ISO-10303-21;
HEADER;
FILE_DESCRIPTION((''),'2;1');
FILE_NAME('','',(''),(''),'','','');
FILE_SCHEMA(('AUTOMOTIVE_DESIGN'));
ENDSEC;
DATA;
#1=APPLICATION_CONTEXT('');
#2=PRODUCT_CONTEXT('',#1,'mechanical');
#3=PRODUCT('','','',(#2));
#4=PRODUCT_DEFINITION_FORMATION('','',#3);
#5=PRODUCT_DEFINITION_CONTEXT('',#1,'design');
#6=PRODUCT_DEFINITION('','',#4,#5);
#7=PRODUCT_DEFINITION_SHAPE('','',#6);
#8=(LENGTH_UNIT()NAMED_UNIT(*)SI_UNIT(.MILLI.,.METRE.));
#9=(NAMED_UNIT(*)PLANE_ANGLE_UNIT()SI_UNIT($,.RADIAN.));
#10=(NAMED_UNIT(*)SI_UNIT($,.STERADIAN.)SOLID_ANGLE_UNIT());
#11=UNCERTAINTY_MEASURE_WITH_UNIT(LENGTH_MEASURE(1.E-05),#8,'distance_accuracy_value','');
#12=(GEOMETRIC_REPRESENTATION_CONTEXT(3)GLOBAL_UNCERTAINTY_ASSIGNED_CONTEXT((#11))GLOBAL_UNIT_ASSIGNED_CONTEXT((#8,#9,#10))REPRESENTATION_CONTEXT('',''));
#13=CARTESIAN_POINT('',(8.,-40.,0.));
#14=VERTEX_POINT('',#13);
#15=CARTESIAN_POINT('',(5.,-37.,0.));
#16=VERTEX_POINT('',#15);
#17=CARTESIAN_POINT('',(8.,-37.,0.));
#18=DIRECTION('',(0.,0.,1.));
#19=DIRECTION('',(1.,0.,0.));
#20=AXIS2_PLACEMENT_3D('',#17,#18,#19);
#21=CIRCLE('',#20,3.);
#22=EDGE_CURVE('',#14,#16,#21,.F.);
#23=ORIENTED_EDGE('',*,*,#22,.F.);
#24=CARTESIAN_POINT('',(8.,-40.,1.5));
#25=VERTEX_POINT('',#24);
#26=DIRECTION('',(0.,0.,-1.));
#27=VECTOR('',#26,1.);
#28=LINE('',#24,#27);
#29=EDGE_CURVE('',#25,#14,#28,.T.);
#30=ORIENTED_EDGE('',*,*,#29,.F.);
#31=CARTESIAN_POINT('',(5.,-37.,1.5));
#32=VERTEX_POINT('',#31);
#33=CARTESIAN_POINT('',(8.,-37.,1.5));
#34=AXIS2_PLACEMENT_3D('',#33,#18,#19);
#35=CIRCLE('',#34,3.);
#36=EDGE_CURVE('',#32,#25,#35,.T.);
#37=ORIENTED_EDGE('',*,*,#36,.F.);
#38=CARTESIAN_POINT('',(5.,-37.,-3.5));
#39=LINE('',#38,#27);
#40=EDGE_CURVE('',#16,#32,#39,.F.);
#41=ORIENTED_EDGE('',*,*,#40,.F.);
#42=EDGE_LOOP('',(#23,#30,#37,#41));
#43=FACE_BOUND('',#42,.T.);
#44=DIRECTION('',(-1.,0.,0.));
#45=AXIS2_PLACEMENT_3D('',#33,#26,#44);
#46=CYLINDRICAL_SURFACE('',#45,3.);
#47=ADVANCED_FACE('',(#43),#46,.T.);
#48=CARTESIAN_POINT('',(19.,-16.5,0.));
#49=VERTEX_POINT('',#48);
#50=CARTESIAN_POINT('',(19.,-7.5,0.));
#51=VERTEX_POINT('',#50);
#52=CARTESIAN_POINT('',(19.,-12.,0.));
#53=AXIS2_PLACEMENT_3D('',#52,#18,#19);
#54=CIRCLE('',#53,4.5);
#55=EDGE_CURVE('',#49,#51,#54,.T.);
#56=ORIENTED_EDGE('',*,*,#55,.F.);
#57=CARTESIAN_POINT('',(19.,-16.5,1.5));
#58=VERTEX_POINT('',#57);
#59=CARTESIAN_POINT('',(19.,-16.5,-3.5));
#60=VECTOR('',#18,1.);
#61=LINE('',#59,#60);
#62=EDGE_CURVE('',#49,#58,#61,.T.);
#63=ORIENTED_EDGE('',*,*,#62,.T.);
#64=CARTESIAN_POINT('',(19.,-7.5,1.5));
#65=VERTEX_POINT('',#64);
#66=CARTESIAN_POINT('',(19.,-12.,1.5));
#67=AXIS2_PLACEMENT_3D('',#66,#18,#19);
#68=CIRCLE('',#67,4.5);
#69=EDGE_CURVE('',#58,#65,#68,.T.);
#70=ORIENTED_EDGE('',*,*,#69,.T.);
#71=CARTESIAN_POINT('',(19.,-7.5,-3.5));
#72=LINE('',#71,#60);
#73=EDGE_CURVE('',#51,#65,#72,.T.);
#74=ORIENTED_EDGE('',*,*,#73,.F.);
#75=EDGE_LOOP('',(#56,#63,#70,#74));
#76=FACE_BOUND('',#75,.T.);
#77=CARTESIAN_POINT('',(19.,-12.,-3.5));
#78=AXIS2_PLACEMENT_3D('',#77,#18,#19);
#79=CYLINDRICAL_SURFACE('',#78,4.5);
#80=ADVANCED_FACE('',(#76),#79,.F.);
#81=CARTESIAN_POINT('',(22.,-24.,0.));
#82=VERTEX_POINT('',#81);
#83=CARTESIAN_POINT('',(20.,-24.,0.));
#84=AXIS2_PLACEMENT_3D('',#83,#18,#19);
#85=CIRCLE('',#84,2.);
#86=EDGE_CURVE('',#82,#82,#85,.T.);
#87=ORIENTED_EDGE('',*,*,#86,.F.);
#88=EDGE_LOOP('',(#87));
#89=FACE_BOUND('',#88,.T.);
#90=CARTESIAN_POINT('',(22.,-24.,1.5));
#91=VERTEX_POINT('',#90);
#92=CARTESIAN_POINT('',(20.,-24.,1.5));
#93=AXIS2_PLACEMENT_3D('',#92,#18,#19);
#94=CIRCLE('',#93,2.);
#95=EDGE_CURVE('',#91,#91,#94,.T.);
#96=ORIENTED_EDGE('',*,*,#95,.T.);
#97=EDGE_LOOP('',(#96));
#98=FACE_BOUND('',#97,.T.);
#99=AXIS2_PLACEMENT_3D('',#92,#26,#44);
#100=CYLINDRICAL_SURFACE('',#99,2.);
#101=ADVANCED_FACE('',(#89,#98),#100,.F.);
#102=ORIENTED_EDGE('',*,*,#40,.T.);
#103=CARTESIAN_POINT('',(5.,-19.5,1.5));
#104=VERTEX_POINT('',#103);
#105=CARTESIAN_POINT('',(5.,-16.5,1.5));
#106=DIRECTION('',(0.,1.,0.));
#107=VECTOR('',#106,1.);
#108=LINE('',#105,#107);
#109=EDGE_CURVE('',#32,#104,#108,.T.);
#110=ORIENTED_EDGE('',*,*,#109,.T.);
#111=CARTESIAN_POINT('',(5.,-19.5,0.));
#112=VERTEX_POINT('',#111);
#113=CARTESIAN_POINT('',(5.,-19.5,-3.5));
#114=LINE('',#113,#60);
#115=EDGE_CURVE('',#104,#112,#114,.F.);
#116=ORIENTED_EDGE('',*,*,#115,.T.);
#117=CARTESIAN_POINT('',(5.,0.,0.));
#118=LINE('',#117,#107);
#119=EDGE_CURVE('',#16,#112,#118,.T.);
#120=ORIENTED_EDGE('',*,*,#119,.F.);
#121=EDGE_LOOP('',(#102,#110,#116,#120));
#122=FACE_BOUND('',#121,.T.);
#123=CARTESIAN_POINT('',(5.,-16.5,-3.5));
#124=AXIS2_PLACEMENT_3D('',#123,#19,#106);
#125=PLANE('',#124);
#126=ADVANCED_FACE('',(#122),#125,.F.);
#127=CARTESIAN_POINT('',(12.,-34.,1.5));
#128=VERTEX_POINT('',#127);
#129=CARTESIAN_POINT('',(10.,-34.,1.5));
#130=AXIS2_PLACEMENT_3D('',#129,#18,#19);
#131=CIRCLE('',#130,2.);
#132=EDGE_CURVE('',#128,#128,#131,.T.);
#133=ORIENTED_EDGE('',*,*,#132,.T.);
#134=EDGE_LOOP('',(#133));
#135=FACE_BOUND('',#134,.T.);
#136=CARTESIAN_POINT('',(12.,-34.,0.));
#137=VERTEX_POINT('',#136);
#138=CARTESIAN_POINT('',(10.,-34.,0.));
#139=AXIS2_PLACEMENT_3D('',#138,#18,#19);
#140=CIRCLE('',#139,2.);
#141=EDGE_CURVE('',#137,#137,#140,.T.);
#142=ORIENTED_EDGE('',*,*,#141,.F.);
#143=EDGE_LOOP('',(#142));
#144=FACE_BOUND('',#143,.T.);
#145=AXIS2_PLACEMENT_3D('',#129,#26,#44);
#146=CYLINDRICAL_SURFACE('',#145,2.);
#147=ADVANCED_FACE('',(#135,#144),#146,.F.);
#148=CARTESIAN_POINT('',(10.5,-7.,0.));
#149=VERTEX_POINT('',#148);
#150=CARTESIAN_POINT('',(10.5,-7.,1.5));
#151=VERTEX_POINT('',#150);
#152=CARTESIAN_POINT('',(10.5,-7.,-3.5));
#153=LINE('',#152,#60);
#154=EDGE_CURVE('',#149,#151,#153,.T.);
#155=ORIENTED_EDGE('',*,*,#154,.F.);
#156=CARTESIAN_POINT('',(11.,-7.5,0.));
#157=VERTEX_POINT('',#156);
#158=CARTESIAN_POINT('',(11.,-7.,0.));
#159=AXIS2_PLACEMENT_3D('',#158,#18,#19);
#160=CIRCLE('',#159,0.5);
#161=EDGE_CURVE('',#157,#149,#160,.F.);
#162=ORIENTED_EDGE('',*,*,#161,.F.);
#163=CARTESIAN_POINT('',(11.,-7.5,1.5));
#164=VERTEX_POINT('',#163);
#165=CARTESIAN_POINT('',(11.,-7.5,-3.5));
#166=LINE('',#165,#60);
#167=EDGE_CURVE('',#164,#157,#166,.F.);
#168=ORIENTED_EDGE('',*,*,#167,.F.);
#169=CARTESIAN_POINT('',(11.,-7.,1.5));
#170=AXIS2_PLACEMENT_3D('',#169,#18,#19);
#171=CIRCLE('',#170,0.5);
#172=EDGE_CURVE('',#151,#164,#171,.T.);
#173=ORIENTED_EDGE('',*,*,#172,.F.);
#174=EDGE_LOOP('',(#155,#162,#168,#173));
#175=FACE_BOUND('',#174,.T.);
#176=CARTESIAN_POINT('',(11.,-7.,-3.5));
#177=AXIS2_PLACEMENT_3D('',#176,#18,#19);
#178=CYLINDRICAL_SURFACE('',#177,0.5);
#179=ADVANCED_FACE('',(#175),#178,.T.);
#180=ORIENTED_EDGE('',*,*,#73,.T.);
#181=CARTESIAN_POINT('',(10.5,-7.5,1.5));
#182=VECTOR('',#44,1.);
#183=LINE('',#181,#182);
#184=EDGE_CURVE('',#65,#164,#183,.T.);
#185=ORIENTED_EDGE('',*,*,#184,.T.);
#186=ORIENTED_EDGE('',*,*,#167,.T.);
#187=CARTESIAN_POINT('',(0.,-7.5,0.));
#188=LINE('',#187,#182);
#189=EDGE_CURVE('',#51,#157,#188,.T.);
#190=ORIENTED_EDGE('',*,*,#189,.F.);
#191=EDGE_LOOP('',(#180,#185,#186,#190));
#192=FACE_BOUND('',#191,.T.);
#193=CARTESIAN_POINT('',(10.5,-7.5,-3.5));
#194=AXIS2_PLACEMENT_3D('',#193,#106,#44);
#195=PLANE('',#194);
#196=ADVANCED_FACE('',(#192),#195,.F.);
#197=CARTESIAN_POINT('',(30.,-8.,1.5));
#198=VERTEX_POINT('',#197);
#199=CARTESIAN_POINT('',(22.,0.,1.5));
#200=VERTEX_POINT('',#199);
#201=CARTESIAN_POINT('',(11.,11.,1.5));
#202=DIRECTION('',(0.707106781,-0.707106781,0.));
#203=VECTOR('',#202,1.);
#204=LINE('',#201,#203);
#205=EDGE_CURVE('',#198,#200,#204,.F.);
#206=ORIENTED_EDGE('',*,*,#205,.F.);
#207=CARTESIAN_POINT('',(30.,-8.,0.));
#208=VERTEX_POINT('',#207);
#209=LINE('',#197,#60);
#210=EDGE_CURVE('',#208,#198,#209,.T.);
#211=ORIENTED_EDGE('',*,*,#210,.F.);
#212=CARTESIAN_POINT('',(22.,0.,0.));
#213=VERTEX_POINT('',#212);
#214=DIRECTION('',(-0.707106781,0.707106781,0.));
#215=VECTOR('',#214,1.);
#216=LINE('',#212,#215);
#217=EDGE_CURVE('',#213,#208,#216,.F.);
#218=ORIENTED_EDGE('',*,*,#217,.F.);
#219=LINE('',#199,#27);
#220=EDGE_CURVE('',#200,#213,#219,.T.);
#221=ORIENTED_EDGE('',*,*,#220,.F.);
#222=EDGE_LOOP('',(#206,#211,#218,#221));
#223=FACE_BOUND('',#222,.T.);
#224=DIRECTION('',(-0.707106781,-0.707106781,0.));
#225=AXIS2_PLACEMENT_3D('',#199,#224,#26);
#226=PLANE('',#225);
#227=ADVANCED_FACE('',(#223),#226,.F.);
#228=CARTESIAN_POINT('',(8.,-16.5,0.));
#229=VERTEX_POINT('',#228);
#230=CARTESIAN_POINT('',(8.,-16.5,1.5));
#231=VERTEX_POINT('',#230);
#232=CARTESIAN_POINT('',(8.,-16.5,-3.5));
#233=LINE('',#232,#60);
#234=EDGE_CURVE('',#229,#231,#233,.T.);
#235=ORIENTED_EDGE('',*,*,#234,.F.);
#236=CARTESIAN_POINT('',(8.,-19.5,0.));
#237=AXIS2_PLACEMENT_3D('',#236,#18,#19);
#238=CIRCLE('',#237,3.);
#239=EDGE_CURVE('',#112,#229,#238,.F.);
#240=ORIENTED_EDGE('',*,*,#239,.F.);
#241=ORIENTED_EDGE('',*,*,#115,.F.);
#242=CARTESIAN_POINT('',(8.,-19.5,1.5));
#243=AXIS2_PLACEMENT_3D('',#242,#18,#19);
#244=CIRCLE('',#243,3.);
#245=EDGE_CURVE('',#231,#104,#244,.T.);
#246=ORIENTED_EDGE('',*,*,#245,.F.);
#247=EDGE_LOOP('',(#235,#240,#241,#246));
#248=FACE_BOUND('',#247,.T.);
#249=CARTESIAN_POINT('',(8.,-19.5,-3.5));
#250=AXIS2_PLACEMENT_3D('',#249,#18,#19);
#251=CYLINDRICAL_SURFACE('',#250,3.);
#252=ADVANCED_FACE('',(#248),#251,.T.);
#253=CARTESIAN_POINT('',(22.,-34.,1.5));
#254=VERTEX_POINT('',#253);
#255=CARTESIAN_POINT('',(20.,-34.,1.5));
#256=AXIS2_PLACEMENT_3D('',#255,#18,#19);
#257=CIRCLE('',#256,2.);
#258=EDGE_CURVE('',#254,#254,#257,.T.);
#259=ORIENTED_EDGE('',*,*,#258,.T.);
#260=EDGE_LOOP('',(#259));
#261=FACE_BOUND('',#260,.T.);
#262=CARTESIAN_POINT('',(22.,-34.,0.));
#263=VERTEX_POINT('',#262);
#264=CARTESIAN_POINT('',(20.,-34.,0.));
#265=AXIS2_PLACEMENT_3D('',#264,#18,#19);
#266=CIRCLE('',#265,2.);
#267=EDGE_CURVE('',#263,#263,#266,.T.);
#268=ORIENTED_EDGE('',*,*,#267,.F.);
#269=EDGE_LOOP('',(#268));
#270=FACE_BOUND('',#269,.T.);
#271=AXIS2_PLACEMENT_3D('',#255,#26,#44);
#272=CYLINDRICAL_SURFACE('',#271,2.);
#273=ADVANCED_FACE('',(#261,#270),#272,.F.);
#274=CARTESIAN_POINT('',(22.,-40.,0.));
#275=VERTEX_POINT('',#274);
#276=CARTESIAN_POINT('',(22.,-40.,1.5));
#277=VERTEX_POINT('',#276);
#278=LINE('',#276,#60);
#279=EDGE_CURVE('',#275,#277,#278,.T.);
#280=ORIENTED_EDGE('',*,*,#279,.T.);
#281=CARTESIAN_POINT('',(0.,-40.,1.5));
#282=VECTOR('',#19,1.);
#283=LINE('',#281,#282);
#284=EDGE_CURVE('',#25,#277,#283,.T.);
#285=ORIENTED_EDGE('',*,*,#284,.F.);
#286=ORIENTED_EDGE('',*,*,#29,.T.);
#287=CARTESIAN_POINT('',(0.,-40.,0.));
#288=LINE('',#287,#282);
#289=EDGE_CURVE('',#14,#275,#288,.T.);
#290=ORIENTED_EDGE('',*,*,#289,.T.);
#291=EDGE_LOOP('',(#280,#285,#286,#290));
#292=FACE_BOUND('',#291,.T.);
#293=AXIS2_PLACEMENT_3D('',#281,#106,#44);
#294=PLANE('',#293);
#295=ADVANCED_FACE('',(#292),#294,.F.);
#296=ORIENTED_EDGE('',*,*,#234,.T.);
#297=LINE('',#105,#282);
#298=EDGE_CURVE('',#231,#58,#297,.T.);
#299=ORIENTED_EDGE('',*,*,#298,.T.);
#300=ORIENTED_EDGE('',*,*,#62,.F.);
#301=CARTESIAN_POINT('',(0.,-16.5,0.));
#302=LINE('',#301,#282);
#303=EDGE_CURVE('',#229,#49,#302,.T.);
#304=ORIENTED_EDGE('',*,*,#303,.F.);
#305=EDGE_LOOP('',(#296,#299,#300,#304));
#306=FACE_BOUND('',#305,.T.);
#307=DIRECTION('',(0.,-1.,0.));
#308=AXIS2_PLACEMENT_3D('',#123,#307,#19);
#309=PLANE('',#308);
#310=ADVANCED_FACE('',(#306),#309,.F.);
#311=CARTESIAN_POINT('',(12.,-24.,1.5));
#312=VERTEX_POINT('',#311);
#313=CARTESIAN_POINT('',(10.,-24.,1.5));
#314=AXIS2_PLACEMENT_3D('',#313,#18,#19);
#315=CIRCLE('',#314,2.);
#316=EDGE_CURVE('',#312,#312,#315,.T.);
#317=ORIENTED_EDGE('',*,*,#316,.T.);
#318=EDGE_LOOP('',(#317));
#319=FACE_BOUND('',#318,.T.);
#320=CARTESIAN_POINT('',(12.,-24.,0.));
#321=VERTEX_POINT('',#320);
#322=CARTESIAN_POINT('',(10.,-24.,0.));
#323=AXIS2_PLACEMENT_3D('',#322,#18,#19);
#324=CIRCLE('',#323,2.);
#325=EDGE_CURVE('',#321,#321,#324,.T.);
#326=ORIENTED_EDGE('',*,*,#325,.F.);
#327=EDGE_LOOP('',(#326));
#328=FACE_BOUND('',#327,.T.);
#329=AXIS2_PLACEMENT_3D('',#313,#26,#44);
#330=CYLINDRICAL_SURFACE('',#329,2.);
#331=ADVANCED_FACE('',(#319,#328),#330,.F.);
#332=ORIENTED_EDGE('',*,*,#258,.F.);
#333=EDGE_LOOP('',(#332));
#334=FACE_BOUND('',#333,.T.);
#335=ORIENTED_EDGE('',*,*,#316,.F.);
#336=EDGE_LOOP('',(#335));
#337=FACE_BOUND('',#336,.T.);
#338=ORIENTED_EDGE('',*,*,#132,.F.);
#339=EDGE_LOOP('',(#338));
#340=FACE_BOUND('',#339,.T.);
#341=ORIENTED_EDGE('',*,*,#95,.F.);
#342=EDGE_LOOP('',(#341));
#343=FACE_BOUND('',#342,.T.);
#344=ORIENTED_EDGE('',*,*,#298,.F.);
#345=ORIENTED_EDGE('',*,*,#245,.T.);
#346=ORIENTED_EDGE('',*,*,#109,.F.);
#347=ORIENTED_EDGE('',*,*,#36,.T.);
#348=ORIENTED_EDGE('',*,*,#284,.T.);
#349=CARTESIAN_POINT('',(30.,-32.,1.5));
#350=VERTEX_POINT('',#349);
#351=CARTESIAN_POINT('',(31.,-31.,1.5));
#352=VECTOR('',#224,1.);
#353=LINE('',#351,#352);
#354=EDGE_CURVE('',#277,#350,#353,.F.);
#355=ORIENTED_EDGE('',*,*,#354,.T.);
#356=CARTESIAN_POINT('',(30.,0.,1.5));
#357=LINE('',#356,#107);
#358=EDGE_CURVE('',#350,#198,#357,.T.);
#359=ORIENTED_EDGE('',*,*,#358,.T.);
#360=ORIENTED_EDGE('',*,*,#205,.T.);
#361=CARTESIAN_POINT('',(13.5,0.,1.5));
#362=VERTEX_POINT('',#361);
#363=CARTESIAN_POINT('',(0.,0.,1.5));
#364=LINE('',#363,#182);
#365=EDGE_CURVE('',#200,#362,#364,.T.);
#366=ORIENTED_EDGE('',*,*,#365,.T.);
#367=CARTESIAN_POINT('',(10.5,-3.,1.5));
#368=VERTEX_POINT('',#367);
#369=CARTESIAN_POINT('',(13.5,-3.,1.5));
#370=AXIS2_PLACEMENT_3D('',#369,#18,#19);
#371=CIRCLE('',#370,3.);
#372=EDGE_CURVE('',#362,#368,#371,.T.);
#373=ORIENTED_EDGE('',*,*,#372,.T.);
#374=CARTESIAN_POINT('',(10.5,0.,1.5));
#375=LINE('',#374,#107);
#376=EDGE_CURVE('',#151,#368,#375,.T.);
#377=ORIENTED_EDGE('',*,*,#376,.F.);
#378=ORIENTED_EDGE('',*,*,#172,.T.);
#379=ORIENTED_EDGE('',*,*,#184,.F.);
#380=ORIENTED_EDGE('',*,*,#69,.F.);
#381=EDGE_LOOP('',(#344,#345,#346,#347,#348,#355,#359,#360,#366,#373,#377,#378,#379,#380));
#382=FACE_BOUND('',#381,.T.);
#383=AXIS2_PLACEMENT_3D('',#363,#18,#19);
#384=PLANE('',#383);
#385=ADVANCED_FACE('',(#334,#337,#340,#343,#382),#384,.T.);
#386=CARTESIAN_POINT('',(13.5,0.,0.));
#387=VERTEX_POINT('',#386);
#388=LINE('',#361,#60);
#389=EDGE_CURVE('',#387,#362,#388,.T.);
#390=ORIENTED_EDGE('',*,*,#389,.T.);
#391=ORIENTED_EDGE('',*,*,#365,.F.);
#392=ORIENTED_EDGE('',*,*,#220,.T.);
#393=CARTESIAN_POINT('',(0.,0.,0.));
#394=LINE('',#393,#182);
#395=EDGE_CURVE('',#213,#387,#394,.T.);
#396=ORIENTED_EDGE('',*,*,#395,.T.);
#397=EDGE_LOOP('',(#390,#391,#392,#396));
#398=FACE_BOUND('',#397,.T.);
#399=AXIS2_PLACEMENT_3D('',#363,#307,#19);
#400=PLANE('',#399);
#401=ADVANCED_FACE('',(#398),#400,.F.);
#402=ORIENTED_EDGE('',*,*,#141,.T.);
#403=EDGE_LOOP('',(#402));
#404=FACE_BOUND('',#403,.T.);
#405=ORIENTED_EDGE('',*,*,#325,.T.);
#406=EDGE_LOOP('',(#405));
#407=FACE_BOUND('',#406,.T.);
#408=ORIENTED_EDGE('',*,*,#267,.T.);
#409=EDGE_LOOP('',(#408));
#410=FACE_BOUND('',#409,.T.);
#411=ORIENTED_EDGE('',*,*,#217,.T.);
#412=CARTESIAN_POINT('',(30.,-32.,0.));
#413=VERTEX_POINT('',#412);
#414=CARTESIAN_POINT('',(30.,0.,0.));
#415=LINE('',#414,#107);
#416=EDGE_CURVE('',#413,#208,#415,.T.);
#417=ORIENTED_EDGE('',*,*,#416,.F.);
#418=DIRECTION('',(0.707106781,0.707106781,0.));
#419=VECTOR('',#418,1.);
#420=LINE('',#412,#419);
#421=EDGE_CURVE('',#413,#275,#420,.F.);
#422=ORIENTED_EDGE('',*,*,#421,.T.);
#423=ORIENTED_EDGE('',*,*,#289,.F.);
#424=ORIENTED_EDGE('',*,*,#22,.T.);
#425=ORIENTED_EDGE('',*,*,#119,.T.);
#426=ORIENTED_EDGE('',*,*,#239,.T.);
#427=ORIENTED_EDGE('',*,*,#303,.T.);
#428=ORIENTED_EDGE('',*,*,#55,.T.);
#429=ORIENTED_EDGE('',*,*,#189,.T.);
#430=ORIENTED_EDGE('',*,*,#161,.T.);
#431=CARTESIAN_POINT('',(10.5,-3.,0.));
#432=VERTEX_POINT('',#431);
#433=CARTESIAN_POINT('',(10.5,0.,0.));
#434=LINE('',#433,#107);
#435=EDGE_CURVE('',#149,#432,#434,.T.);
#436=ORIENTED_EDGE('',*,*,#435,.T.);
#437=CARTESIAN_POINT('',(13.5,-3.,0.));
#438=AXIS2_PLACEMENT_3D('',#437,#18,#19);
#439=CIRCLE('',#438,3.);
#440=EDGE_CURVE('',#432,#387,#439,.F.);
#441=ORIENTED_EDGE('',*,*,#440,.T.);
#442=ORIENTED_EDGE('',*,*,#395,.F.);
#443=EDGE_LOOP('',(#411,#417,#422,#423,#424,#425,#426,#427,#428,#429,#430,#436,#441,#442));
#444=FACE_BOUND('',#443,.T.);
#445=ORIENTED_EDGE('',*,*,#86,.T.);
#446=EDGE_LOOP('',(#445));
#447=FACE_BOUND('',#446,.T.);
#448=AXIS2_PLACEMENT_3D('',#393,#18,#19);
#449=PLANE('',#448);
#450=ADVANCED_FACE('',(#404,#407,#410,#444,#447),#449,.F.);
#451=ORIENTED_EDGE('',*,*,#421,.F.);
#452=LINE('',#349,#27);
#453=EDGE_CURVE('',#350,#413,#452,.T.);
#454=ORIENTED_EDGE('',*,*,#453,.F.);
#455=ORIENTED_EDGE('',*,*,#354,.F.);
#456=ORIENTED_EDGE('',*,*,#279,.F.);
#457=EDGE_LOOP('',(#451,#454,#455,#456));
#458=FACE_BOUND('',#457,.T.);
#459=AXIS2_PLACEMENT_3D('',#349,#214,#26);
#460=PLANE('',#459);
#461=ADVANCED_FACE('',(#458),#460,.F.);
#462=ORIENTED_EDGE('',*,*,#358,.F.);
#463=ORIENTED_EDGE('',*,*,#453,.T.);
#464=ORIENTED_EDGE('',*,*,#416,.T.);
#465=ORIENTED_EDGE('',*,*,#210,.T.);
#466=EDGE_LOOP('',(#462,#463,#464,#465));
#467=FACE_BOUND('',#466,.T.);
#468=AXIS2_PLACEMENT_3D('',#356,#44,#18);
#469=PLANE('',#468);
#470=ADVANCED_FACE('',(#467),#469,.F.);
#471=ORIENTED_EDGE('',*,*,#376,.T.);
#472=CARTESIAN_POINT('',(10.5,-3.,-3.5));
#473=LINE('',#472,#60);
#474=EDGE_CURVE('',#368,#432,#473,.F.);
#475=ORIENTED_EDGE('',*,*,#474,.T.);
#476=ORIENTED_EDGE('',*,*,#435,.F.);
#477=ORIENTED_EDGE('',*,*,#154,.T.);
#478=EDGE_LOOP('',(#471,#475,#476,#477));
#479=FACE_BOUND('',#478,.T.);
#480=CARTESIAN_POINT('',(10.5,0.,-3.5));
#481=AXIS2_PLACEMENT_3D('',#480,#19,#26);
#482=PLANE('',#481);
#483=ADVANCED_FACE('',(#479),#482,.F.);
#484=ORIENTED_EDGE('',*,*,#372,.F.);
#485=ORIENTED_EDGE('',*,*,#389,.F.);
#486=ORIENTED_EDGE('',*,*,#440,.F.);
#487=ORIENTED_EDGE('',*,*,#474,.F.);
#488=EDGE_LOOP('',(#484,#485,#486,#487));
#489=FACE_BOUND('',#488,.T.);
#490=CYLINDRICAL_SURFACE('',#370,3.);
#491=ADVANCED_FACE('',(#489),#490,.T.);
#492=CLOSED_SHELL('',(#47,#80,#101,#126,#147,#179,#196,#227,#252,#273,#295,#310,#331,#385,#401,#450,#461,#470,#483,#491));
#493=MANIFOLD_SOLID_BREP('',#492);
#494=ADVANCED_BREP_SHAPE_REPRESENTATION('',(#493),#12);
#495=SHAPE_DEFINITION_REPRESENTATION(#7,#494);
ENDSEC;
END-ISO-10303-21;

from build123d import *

# Parameters (mm, degrees)
SKETCH1_W           = 30
SKETCH1_H           = 40
SKETCH1_R           = 2
BOSS_EXTRUDE1_DEPTH = 1.5
CHAMFER1_SIZE       = 8
CUT_EXTRUDE1_DEPTH  = 5
FILLET1_R           = 3
FILLET2_R           = 0.5


with BuildPart() as part:
    # Sketch1 → Boss-Extrude1 (new body)
    with BuildSketch(Plane.XY):
        with Locations((15, -20)):
            Rectangle(SKETCH1_W, SKETCH1_H)
        with Locations((20, -34)):
            Circle(SKETCH1_R, mode=Mode.SUBTRACT)
        with Locations((10, -34)):
            Circle(SKETCH1_R, mode=Mode.SUBTRACT)
        with Locations((20, -24)):
            Circle(SKETCH1_R, mode=Mode.SUBTRACT)
        with Locations((10, -24)):
            Circle(SKETCH1_R, mode=Mode.SUBTRACT)
    extrude(amount=BOSS_EXTRUDE1_DEPTH)

    # Chamfer1
    chamfer1_edges = [part.edges().sort_by_distance(p)[0] for p in [
        (30, 0, 0.75),
        (30, -40, 0.75),
    ]]
    chamfer(chamfer1_edges, length=CHAMFER1_SIZE)

    # Sketch2 → Cut-Extrude1 (cut)
    with BuildSketch(Plane.XY.offset(1.5)):
        with BuildLine():
            Line((5, -16.5), (19, -16.5))
            ThreePointArc((19, -16.5), (23.5, -12), (19, -7.5))
            Line((19, -7.5), (10.5, -7.5))
            Line((10.5, -7.5), (10.5, 0))
            Line((10.5, 0), (0, 0))
            Line((0, 0), (0, -16.5))
            Line((0, -16.5), (0, -40))
            Line((0, -40), (5, -40))
            Line((5, -40), (5, -16.5))
        make_face()
    extrude(amount=-CUT_EXTRUDE1_DEPTH, mode=Mode.SUBTRACT)

    # Fillet1
    fillet1_edges = [part.edges().sort_by_distance(p)[0] for p in [
        (10.5, 0, 0.75),
        (5, -40, 0.75),
        (5, -16.5, 0.75),
    ]]
    fillet(fillet1_edges, radius=FILLET1_R)

    # Fillet2
    fillet2_edges = [part.edges().sort_by_distance(p)[0] for p in [
        (10.5, -7.5, 0.75),
    ]]
    fillet(fillet2_edges, radius=FILLET2_R)


solid = part.part
